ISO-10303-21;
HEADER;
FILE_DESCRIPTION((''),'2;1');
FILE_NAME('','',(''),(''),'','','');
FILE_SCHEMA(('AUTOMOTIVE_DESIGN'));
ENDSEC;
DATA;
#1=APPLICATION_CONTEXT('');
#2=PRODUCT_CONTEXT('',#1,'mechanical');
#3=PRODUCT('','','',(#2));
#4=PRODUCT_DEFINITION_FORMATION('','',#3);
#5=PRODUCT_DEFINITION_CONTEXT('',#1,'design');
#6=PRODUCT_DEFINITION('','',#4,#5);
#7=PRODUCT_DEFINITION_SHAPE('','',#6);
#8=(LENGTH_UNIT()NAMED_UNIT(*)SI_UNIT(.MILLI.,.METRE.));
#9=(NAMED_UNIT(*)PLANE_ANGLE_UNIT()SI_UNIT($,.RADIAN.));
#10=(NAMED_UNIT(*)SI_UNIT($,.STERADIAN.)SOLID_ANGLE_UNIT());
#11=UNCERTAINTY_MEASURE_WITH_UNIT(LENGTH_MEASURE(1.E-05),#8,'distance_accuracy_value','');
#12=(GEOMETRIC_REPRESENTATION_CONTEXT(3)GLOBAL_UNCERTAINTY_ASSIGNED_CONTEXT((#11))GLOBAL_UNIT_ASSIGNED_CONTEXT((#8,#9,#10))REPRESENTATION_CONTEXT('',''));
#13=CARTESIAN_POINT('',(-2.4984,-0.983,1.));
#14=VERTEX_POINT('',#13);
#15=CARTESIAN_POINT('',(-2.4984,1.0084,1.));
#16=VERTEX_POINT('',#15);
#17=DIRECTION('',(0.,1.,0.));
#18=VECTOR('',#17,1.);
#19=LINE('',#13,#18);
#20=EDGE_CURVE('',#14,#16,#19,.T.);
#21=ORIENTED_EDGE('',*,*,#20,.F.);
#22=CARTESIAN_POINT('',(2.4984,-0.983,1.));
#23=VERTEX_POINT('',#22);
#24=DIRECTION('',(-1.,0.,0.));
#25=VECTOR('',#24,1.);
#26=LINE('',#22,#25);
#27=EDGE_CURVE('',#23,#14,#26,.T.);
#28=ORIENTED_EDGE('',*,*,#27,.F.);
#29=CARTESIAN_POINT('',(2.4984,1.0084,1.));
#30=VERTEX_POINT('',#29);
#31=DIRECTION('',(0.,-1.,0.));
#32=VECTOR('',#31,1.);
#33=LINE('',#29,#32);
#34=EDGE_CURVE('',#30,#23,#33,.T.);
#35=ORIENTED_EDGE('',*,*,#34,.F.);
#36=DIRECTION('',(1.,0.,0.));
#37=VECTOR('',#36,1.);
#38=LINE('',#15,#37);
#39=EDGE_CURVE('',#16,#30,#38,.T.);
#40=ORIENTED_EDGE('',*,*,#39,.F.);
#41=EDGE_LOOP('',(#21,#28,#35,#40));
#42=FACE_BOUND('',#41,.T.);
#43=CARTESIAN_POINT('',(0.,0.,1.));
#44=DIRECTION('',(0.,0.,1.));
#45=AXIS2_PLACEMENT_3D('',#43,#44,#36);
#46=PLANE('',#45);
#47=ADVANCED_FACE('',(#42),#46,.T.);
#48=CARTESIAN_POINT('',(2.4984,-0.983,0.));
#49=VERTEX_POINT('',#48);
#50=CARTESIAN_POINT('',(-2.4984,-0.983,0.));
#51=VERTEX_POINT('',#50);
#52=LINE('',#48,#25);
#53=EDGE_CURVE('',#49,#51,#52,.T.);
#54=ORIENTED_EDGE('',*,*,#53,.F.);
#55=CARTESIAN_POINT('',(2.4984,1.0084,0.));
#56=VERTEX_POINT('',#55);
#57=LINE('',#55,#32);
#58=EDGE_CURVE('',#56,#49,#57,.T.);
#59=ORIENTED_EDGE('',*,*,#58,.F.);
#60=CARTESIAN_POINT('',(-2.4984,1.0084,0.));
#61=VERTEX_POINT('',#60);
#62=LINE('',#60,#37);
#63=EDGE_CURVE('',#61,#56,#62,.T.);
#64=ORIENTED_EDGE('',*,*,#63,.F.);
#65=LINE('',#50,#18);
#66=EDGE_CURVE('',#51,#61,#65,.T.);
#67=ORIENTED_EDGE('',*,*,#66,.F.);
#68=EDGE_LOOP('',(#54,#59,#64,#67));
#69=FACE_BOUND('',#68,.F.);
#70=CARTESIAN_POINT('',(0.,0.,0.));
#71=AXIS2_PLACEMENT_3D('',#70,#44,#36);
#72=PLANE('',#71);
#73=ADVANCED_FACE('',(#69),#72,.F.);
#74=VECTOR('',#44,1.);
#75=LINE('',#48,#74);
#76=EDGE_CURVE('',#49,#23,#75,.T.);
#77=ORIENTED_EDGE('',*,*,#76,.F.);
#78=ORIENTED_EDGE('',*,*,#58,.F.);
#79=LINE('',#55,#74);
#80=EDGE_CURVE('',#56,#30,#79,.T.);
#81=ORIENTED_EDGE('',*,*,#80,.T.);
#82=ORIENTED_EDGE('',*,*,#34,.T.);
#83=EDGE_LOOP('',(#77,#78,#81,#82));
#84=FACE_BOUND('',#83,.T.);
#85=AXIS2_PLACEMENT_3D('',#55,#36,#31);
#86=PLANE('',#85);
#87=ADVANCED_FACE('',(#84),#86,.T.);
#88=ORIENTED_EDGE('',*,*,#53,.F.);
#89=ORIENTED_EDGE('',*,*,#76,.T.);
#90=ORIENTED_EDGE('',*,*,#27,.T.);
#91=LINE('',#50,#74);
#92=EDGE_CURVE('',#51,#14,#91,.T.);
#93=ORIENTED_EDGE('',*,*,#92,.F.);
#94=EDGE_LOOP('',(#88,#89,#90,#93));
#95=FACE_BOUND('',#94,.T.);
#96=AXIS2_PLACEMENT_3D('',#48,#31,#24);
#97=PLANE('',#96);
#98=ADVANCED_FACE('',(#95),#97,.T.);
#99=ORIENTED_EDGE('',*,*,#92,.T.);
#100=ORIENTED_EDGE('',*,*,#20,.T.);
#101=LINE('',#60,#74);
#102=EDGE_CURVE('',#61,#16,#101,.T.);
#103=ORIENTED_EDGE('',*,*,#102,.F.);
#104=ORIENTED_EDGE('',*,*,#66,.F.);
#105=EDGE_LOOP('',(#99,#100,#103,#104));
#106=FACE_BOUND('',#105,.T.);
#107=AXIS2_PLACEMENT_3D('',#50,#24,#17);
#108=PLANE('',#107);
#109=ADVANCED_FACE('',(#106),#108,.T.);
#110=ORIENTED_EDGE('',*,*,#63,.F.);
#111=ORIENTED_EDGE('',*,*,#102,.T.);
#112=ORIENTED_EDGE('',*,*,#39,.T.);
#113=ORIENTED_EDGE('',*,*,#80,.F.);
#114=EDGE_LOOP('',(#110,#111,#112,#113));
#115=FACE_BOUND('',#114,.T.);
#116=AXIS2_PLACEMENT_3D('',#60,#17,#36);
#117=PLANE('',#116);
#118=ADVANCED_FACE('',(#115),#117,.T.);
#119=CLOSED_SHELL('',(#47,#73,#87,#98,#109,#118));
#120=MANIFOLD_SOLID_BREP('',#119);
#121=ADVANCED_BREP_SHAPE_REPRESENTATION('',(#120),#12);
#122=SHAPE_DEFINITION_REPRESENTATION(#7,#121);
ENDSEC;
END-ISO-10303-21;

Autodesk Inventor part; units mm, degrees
ref_plane "YZ Plane" through (0, 0, 0) normal (1, 0, 0) x (0, 1, 0)
ref_plane "XZ Plane" through (0, 0, 0) normal (0, 1, 0) x (-1, 0, 0)
ref_plane "XY Plane" through (0, 0, 0) normal (0, 0, 1) x (1, 0, 0)
sketch "C3216, 47U_19" plane through (0, 0, 0) normal (0, 0, 1) x (1, 0, 0)
  line L0 (-2.4984, 1.0084) -> (2.4984, 1.0084)
  line L1 (2.4984, 1.0084) -> (2.4984, -0.983)
  line L2 (2.4984, -0.983) -> (-2.4984, -0.983)
  line L3 (-2.4984, -0.983) -> (-2.4984, 1.0084)
extrude "Extrusion1" add sketch "C3216, 47U_19" along normal blind 1
properties part number "47U"
